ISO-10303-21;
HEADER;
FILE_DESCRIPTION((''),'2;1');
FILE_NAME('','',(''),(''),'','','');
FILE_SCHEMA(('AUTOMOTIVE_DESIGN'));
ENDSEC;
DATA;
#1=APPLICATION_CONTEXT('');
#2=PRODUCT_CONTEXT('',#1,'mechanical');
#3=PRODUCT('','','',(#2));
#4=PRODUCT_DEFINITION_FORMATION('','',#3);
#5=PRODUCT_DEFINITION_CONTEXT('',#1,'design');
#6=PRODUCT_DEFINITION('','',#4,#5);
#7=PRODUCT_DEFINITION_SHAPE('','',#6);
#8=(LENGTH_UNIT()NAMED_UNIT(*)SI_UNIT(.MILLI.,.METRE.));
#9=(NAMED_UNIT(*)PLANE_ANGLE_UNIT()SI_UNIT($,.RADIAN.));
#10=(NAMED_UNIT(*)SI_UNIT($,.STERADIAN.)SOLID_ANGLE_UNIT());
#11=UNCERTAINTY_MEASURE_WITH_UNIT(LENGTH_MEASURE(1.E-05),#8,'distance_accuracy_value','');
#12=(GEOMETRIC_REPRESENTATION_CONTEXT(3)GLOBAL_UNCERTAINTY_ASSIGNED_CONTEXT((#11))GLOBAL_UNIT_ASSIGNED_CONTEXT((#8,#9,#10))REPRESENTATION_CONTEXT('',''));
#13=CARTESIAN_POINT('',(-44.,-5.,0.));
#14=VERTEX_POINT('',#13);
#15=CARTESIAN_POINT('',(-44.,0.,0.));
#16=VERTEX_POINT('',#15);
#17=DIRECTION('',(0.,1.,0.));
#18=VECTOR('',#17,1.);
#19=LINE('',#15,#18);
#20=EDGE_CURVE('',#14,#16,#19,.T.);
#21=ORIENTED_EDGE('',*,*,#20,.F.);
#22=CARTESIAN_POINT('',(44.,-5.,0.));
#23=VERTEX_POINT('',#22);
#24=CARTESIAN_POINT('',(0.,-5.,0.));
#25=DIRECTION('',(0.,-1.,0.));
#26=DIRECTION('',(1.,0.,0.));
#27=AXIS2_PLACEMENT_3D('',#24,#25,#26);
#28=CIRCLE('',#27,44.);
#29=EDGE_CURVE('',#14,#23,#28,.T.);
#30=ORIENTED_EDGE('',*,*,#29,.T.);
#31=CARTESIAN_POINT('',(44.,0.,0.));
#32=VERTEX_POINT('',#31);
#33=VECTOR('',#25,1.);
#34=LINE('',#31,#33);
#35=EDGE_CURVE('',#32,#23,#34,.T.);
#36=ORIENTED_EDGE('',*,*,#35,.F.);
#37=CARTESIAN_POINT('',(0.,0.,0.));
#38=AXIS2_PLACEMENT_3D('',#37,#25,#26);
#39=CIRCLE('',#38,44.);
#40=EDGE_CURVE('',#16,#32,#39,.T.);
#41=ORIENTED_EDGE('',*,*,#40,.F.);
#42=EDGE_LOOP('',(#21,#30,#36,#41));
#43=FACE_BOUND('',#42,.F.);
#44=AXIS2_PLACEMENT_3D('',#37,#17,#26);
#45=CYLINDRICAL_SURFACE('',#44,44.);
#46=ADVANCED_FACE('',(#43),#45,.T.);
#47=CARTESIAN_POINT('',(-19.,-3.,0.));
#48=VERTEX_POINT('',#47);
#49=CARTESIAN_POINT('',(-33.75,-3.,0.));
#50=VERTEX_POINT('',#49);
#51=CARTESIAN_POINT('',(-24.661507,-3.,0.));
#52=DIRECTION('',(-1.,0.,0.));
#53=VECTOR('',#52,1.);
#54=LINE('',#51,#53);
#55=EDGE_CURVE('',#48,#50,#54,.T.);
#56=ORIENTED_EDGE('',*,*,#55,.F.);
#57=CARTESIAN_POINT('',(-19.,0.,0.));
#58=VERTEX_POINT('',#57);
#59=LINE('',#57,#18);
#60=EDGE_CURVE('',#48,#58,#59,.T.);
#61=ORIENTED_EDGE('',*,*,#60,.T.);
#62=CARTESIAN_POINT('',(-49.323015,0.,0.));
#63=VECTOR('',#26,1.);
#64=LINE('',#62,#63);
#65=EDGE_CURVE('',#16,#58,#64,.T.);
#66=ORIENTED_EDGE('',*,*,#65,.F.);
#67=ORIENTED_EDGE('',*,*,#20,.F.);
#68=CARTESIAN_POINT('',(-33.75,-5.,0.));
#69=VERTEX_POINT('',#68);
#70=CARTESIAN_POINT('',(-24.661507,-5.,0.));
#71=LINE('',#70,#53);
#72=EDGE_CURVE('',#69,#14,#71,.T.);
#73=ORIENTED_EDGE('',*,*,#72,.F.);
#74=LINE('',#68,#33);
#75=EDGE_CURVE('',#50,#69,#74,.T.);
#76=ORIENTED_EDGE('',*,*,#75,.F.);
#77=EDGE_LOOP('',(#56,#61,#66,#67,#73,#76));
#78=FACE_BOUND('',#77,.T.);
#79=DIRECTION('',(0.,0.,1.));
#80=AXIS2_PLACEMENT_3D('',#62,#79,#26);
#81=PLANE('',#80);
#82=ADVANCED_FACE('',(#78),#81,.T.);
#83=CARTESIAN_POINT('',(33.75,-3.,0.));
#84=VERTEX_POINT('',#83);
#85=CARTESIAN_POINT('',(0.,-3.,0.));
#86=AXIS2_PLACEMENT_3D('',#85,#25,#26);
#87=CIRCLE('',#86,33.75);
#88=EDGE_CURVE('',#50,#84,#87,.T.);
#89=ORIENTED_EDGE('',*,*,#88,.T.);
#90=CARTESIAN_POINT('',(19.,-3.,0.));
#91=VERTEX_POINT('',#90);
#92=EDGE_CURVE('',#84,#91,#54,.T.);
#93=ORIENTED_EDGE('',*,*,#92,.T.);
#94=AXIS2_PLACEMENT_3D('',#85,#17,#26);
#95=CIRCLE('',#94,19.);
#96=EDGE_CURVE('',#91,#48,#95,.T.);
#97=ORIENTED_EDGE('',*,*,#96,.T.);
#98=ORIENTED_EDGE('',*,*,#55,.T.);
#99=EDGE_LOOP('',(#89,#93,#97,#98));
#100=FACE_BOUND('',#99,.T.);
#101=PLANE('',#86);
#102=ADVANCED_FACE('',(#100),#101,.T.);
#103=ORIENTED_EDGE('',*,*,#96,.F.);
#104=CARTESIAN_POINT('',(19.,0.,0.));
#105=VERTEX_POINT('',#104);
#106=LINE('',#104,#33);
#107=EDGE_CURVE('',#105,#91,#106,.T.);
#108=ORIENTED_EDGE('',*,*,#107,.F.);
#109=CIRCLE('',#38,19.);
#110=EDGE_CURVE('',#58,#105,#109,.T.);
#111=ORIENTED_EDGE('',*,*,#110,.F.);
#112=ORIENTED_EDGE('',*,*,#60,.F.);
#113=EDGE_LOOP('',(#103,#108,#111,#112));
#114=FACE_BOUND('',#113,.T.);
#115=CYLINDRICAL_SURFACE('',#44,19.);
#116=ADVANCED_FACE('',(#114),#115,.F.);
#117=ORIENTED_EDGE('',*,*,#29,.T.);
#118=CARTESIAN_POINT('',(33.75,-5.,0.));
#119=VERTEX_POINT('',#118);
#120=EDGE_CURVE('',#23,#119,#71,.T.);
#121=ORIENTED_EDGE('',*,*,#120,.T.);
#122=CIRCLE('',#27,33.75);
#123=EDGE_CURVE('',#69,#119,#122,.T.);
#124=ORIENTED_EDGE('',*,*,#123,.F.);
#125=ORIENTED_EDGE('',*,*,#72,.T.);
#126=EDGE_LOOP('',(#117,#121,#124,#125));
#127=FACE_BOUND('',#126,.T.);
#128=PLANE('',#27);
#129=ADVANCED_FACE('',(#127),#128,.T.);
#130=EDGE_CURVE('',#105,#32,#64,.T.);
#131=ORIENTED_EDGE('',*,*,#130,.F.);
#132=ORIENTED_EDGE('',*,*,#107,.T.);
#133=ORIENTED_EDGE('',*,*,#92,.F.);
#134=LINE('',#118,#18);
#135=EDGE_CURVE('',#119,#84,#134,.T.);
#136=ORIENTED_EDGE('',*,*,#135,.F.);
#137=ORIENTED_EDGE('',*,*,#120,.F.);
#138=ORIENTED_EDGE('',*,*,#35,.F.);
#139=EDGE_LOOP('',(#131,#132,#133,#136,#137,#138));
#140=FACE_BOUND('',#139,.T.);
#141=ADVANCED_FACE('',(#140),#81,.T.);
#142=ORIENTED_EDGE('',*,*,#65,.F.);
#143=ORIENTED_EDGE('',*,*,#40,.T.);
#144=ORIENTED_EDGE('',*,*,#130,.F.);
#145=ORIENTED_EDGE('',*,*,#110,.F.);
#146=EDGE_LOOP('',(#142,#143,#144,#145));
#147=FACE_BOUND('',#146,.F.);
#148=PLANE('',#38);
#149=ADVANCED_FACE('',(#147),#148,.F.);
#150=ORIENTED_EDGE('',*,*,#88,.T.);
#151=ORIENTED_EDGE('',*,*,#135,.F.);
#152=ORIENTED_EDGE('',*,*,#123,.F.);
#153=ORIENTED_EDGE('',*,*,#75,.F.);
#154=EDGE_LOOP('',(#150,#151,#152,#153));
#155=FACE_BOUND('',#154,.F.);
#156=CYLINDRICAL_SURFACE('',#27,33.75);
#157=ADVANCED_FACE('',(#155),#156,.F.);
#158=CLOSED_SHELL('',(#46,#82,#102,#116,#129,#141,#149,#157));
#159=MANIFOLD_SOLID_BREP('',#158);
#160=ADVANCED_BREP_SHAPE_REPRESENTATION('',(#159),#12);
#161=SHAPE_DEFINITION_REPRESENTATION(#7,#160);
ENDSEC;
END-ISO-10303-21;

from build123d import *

# Parameters (mm, degrees)
F0_R     = 44
F0_R_2   = 19
F1_DEPTH = 5
F2_R     = 33.75
F3_DEPTH = 2
F5_DEPTH = 25


with BuildPart() as f1:
    # F0 (on Front) → F1 (new body)
    with BuildSketch(Plane.XZ):
        Circle(F0_R)
        Circle(F0_R_2, mode=Mode.SUBTRACT)
    extrude(amount=F1_DEPTH)

    # F2 (on face) → F3 (cut)
    with BuildSketch(Plane.XZ.offset(5)):
        Circle(F2_R)
    extrude(amount=-F3_DEPTH, mode=Mode.SUBTRACT)

    # F4 (on Front) → F5 (cut)
    with BuildSketch(Plane.XZ):
        Polygon((-49.323015, 0), (0, 0), (50.371692, 0), (50.371692, 35.833221), (0, 51.775392), (-49.323015, 41.89574), align=None)
    extrude(amount=F5_DEPTH, mode=Mode.SUBTRACT)


solid = f1.part
